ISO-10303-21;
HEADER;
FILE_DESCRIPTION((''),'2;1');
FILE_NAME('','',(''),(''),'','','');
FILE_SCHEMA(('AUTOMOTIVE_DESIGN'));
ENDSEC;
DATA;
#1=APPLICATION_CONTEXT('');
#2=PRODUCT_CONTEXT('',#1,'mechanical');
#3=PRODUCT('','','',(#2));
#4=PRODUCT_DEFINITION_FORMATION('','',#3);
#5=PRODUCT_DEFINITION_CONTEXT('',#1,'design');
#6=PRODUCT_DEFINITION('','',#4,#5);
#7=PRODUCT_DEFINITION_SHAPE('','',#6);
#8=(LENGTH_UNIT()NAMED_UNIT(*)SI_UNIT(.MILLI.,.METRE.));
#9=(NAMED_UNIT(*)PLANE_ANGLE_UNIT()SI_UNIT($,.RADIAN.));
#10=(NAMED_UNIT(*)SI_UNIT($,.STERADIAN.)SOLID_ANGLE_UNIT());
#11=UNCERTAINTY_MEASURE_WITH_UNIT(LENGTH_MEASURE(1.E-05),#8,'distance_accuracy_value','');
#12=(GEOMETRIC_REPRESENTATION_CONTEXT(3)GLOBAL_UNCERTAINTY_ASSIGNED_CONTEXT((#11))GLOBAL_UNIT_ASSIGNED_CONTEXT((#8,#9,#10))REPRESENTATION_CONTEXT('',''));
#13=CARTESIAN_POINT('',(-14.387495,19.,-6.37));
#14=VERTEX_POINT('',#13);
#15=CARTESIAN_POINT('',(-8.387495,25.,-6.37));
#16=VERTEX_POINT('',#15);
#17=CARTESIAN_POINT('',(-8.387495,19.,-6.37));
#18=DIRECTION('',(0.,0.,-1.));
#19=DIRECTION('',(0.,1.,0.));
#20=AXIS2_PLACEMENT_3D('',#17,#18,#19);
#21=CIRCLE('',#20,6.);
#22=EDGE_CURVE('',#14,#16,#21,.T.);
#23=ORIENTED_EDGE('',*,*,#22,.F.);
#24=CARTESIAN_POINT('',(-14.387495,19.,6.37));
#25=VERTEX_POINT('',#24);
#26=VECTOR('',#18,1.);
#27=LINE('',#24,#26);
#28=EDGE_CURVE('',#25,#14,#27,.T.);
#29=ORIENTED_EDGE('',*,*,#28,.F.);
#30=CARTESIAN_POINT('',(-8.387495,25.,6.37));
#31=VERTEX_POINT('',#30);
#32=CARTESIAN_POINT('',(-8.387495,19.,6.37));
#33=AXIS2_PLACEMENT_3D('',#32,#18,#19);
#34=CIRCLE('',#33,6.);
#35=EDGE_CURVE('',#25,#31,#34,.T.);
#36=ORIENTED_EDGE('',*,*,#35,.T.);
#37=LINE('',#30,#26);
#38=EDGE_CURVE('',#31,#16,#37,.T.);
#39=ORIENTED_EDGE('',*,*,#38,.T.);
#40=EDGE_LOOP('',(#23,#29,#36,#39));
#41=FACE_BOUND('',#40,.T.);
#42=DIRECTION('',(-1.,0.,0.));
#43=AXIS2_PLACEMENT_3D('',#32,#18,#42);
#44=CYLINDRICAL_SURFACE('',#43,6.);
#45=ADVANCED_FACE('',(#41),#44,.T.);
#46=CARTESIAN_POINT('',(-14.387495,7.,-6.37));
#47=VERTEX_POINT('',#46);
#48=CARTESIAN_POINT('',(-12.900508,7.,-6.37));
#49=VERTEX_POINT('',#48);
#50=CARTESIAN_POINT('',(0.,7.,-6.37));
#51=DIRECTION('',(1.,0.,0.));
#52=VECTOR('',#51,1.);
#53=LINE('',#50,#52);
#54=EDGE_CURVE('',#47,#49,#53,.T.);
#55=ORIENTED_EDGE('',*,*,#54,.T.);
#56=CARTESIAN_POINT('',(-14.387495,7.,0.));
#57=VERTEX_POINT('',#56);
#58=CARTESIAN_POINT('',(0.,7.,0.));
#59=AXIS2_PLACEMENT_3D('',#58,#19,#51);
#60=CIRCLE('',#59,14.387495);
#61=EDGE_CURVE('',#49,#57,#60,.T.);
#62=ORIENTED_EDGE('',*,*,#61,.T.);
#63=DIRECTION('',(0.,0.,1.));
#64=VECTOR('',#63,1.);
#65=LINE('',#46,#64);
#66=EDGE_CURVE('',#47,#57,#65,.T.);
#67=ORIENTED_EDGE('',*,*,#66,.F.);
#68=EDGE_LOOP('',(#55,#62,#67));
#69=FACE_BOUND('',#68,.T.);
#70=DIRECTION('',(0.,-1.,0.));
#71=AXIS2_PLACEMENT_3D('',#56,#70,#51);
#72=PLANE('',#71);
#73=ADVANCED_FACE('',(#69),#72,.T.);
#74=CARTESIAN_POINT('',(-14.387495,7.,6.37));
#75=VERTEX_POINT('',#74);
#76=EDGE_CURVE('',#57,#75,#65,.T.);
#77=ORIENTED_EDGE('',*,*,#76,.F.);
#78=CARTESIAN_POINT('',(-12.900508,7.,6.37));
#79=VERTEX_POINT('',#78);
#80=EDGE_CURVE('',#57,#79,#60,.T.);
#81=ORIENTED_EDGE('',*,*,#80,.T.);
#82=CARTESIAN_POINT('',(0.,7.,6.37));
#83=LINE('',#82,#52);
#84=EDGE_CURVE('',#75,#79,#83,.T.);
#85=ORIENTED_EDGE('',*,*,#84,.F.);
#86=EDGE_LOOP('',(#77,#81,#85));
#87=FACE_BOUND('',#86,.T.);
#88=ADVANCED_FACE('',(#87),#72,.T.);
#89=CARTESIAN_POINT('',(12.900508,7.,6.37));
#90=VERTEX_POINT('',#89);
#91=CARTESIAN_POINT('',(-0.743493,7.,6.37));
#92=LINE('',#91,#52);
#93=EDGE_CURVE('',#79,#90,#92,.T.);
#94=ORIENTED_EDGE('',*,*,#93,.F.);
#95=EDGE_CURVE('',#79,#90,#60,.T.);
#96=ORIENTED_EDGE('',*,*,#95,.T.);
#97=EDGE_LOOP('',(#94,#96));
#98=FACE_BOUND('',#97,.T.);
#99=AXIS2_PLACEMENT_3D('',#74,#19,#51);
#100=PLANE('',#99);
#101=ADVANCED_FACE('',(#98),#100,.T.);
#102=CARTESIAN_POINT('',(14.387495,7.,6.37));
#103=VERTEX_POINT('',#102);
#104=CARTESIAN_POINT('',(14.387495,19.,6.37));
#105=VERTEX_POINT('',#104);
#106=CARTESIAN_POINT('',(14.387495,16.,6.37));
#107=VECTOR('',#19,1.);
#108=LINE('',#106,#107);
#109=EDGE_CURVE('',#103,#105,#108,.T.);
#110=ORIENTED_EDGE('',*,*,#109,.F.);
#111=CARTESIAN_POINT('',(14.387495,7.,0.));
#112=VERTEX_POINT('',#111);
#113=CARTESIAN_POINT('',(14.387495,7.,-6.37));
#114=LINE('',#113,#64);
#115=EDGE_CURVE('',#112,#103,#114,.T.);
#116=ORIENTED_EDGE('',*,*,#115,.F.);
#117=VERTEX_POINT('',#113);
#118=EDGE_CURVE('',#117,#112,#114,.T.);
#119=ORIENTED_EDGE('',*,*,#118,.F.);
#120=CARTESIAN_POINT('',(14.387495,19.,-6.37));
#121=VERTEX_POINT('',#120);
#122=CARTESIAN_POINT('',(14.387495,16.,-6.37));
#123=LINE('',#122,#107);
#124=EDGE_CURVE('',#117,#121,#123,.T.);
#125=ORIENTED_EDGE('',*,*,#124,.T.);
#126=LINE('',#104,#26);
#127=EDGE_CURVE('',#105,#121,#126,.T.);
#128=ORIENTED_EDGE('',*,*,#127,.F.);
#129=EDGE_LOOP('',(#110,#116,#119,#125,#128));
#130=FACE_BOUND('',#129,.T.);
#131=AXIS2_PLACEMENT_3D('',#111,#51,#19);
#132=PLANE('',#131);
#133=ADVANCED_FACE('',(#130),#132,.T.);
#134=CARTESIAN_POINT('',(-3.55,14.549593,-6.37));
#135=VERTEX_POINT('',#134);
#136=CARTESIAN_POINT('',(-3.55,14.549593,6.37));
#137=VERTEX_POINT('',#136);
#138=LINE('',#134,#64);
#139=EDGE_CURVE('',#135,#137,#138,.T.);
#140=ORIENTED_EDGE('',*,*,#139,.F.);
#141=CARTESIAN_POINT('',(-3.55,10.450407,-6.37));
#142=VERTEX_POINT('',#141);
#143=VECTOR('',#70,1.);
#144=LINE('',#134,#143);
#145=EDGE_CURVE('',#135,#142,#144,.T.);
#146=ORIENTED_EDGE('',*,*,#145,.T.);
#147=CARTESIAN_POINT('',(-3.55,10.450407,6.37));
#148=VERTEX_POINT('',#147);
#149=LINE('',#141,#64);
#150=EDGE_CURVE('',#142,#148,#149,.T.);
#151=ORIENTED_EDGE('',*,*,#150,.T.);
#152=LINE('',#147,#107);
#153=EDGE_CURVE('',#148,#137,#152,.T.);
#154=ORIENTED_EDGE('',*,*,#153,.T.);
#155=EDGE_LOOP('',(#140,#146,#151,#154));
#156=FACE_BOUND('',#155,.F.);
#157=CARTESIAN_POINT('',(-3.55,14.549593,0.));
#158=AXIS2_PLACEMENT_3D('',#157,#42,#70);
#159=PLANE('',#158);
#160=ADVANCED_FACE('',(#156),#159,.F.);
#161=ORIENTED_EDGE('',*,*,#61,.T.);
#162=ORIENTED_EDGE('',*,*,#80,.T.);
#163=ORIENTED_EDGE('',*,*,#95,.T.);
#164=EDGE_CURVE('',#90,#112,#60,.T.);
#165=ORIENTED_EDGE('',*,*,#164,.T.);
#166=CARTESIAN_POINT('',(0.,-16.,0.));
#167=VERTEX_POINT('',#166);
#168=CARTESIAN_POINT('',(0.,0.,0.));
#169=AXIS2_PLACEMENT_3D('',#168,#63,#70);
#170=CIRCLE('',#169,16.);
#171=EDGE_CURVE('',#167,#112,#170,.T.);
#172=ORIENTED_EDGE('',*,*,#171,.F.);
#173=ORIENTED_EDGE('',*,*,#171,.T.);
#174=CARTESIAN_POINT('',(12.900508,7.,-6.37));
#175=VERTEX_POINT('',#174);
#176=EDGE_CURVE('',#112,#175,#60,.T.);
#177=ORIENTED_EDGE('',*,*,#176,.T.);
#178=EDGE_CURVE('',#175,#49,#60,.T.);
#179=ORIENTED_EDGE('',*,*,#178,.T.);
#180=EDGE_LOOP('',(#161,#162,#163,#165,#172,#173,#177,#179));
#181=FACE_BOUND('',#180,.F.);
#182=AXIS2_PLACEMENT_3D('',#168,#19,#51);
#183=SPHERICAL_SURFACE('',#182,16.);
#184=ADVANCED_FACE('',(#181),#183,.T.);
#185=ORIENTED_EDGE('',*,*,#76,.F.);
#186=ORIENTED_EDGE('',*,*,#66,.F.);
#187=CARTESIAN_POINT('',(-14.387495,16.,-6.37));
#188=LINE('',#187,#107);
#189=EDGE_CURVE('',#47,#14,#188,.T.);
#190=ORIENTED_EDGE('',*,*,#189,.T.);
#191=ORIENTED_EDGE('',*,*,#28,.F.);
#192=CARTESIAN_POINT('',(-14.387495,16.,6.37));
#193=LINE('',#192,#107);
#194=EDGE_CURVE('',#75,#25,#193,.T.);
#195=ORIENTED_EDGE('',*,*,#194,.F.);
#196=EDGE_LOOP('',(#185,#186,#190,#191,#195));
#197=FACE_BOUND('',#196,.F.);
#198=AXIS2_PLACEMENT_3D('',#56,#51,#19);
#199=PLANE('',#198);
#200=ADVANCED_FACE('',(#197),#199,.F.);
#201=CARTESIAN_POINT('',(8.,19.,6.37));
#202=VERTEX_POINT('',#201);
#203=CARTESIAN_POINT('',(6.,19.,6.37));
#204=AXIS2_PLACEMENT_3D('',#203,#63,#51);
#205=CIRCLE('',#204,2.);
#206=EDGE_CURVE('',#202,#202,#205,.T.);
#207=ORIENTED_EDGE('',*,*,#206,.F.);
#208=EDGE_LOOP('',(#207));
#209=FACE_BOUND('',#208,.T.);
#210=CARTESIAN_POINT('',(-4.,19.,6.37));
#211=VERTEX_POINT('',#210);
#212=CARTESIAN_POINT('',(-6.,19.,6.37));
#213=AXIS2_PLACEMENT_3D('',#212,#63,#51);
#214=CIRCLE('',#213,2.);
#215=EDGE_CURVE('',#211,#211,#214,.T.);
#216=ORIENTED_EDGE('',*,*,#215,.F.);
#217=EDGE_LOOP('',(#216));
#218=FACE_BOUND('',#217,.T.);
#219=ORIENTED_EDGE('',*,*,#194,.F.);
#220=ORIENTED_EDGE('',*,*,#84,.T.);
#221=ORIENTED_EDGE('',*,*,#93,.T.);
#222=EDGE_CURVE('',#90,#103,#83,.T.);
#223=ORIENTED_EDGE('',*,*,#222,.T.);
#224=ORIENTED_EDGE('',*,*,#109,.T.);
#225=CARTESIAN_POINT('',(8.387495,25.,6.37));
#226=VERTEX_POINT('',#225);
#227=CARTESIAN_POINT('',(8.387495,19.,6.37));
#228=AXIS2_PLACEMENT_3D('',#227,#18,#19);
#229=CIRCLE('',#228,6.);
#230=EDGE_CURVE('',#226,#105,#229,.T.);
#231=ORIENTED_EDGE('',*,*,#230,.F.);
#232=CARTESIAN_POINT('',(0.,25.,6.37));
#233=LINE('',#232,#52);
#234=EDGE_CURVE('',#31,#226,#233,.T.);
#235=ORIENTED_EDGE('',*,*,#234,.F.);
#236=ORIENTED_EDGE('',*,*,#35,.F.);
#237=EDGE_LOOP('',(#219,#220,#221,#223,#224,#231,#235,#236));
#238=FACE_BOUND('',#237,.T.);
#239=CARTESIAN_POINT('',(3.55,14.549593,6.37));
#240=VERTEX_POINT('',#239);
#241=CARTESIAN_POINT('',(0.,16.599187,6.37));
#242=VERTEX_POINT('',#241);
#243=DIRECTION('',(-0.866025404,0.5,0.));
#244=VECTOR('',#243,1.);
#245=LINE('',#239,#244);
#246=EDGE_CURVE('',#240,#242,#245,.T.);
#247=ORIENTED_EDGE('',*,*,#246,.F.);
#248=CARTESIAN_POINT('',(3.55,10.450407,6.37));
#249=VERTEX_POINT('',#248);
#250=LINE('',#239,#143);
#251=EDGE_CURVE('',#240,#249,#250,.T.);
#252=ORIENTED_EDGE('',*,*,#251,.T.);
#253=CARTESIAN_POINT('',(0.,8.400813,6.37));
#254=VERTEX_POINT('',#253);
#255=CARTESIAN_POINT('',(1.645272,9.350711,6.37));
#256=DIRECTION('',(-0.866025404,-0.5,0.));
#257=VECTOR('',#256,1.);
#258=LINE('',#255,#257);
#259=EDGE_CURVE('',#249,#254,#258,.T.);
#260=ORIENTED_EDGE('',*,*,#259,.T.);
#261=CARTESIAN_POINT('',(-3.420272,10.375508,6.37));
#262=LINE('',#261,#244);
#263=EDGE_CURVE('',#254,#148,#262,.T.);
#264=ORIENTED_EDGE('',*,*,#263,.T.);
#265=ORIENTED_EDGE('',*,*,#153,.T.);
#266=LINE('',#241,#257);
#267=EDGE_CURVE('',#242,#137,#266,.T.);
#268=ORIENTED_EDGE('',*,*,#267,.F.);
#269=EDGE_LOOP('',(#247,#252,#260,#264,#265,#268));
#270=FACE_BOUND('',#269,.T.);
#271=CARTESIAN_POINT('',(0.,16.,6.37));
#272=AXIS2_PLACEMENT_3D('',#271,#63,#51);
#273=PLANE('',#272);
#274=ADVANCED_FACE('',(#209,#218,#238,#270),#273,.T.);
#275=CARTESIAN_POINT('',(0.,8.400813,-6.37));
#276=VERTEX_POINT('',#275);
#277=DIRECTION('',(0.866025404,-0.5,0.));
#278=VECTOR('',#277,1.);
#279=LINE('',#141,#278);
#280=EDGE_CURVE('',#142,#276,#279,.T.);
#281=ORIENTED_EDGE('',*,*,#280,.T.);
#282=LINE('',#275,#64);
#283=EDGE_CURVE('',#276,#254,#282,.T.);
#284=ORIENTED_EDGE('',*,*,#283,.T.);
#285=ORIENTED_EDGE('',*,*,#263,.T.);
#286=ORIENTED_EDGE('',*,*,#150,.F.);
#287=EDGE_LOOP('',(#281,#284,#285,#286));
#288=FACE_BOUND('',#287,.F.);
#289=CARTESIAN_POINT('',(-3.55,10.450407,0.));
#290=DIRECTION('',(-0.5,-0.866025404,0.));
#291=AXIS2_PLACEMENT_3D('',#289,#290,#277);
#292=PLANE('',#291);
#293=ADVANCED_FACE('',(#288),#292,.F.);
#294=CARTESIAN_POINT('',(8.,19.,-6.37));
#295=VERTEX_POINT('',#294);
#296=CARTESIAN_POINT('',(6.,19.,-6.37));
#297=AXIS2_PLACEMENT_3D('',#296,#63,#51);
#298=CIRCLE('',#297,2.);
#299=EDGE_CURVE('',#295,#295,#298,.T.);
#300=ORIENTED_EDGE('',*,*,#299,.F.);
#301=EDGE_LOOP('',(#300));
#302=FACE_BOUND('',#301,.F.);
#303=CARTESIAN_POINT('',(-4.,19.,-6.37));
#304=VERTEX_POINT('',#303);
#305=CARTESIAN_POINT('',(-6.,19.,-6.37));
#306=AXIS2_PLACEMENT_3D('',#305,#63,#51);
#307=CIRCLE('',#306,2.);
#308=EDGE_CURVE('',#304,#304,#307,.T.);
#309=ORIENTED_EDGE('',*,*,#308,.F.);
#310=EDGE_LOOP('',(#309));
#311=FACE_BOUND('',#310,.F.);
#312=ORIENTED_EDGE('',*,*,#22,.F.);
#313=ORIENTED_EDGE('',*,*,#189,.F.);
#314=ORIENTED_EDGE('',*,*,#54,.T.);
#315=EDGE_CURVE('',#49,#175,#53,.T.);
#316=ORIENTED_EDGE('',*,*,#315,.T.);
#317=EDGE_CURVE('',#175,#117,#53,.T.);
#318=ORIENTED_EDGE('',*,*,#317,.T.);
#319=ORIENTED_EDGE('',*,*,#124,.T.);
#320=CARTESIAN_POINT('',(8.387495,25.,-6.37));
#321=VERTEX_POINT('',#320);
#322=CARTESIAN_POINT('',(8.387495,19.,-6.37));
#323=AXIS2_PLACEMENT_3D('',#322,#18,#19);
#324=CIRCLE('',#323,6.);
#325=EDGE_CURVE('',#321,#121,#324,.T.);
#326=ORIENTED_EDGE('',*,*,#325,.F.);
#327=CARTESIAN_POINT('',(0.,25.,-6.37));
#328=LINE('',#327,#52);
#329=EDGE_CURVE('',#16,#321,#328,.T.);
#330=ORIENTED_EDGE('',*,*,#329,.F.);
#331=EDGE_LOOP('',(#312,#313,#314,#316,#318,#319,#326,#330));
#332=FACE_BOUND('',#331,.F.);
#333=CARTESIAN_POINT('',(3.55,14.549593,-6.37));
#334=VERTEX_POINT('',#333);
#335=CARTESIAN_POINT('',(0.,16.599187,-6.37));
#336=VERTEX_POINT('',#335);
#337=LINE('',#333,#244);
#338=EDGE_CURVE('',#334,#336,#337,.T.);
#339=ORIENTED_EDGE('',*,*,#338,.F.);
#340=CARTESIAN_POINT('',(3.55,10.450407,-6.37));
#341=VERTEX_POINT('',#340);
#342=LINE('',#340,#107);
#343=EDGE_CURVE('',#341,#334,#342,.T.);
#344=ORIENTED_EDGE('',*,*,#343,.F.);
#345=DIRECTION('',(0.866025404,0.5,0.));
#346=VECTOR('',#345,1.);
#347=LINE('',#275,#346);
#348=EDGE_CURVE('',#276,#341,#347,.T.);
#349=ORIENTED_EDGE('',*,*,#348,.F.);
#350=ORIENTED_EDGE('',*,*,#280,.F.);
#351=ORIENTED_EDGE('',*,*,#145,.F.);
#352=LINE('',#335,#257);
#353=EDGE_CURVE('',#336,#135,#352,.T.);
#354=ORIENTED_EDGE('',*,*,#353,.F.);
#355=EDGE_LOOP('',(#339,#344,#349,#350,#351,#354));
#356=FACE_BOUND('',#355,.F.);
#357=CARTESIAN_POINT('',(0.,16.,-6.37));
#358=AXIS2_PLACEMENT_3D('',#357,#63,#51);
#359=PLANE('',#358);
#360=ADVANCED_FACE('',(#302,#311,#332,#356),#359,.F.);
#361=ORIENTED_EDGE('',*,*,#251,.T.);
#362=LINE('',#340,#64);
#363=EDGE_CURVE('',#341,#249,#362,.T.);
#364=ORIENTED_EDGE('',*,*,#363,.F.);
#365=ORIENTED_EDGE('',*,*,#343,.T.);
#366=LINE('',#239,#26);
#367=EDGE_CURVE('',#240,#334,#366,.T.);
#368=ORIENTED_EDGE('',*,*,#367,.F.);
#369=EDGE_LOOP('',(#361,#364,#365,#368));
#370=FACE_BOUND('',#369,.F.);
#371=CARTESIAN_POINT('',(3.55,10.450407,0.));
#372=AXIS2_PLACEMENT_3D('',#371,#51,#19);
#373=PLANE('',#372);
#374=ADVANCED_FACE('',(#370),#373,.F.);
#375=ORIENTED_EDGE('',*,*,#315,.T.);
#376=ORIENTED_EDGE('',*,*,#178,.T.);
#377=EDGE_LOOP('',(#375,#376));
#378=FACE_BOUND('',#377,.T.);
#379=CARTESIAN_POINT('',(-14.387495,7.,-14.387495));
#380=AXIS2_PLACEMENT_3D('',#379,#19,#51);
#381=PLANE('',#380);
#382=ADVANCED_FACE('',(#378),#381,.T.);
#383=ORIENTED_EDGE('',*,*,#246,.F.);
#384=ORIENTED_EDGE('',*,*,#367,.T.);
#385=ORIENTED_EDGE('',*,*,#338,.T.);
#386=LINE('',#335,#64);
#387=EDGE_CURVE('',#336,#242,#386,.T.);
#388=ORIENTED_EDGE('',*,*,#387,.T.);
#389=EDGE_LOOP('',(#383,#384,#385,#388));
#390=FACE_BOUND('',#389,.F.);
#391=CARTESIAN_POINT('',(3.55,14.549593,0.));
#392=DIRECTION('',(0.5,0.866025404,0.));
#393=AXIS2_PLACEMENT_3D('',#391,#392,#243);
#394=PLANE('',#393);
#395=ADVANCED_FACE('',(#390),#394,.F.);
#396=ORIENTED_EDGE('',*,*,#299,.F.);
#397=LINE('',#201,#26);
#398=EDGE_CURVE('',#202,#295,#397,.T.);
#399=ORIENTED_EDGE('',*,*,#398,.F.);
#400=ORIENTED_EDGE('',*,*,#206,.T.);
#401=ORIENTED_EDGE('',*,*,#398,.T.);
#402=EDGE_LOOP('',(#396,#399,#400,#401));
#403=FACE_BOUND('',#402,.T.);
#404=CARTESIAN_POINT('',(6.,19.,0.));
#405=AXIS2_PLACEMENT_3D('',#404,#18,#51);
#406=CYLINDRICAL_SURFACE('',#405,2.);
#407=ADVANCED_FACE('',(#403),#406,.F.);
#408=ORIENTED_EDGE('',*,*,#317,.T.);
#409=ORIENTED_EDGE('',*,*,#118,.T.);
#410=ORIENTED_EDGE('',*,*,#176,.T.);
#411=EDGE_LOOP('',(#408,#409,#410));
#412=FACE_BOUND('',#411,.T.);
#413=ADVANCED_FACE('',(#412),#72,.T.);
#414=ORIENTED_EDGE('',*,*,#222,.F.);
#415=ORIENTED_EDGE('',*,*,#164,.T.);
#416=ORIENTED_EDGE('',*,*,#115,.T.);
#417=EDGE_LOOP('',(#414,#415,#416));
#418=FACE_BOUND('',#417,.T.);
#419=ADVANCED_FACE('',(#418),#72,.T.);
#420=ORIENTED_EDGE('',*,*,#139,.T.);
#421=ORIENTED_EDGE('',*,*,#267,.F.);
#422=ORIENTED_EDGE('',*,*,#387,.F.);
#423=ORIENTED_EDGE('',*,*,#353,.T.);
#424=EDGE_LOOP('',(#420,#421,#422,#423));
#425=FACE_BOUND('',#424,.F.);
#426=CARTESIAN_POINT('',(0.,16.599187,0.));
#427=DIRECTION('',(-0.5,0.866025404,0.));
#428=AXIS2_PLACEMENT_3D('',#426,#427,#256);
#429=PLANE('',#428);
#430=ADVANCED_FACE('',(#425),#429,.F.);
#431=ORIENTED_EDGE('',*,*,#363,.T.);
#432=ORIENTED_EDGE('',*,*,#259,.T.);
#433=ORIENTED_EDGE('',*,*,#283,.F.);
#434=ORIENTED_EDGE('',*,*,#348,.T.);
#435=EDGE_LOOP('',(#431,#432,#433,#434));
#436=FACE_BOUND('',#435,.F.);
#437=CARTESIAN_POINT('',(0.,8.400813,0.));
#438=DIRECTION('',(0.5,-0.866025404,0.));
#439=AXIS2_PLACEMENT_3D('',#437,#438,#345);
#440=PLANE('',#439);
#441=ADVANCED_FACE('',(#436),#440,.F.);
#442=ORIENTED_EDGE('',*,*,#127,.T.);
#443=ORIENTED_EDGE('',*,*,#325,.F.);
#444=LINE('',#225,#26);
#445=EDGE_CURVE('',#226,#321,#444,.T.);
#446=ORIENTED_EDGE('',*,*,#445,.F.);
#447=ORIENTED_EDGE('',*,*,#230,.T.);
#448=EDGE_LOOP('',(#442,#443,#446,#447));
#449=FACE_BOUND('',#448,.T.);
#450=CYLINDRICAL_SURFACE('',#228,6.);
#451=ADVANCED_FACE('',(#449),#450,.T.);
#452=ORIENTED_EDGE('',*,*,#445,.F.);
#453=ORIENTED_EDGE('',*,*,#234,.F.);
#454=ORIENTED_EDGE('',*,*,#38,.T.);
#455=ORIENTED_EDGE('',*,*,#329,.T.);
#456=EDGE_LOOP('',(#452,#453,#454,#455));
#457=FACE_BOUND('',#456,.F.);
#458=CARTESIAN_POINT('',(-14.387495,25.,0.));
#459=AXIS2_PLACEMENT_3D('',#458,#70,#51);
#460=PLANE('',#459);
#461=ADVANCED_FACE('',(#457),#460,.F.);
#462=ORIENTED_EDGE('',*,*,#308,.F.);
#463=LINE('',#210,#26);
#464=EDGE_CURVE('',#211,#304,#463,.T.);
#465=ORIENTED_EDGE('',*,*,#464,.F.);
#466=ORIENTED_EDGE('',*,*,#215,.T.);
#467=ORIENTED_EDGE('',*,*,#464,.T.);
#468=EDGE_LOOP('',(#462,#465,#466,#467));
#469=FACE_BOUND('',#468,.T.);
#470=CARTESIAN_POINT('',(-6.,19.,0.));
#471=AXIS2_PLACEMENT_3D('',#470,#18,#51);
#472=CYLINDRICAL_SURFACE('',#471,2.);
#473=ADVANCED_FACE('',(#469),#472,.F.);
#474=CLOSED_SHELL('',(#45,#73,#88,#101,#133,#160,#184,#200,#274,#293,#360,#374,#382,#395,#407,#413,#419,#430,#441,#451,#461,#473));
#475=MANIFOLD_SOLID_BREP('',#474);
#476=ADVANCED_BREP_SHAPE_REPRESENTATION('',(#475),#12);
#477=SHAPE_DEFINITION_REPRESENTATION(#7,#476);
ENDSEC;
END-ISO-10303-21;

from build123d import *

# Parameters (mm, degrees)
SKETCH2_W               = 28.77498914
SKETCH2_H               = 18
SKETCH2_R               = 2
BOSS_EXTRUDE1_DEPTH     = 6.37
CUT_EXTRUDE1_REACH      = 11.63
SKETCH3_W               = 27.288002312
SKETCH3_H               = 18
CUT_EXTRUDE2_START      = -14.387495
SKETCH2_2_W             = 28.77498914
SKETCH2_2_H             = 18
SKETCH2_2_R             = 2
CUT_EXTRUDE2_DEPTH      = 8.017495
FILLET1_R               = 6
CUT_EXTRUDE3_DEPTH      = 17
CUT_EXTRUDE3_DEPTH_BACK = 17


with BuildPart() as part:
    # Sketch1 → Revolve1 (revolve)
    with BuildSketch(Plane.XY):
        with BuildLine():
            Line((0, 16), (0, -16))
            ThreePointArc((0, -16), (16, 0), (0, 16))
        make_face()
    revolve(axis=Axis((0, 16, 0), (0, -1, 0)))

    # Sketch2 → Boss-Extrude1 (add, symmetric)
    with BuildSketch(Plane.XY):
        with Locations((0, 16)):
            Rectangle(SKETCH2_W, SKETCH2_H)
        with Locations((-6, 19)):
            Circle(SKETCH2_R, mode=Mode.SUBTRACT)
        with Locations((6, 19)):
            Circle(SKETCH2_R, mode=Mode.SUBTRACT)
        Polygon((0, 16.599186911), (-3.55, 14.549593456), (-3.55, 10.450406544), (0, 8.400813089), (3.55, 10.450406544), (3.55, 14.549593456), align=None, mode=Mode.SUBTRACT)
    extrude(amount=BOSS_EXTRUDE1_DEPTH, both=True)

    # Sketch3 → Cut-Extrude1 (cut, up to next)
    with BuildSketch(Plane.XY.offset(6.37), mode=Mode.PRIVATE) as cut_extrude1_sk1:
        with Locations((-0.743493414, 16)):
            Rectangle(SKETCH3_W, SKETCH3_H)
    cut_extrude1_tool1 = extrude(cut_extrude1_sk1.sketch, amount=CUT_EXTRUDE1_REACH, mode=Mode.PRIVATE) & part.part
    add(cut_extrude1_tool1.solids().sort_by_distance((-0.743493, 16, 6.37))[0], mode=Mode.SUBTRACT)

    # Sketch2<2> → Cut-Extrude2 (cut)
    with BuildSketch(Plane.XY.offset(CUT_EXTRUDE2_START)):
        Polygon((3.55, 10.450406544), (3.55, 14.549593456), (0, 16.599186911), (-3.55, 14.549593456), (-3.55, 10.450406544), (0, 8.400813089), align=None)
        with Locations((0, 16)):
            Rectangle(SKETCH2_2_W, SKETCH2_2_H)
        with Locations((6, 19)):
            Circle(SKETCH2_2_R, mode=Mode.SUBTRACT)
        with Locations((-6, 19)):
            Circle(SKETCH2_2_R, mode=Mode.SUBTRACT)
        Polygon((3.55, 14.549593456), (0, 16.599186911), (-3.55, 14.549593456), (-3.55, 10.450406544), (0, 8.400813089), (3.55, 10.450406544), align=None, mode=Mode.SUBTRACT)
    extrude(amount=CUT_EXTRUDE2_DEPTH, mode=Mode.SUBTRACT)

    # Fillet1
    fillet1_edges = [part.edges().sort_by_distance(p)[0] for p in [
        (-14.38749457, 25, 0),
        (14.38749457, 25, 0),
    ]]
    fillet(fillet1_edges, radius=FILLET1_R)

    # Sketch2<3> → Cut-Extrude3 (cut, two sides)
    with BuildSketch(Plane.XY) as cut_extrude3_sk:
        Polygon((0, 16.599186911), (-3.55, 14.549593456), (-3.55, 10.450406544), (0, 8.400813089), (3.55, 10.450406544), (3.55, 14.549593456), align=None)
    extrude(amount=CUT_EXTRUDE3_DEPTH, mode=Mode.SUBTRACT)
    extrude(cut_extrude3_sk.sketch, amount=-CUT_EXTRUDE3_DEPTH_BACK, mode=Mode.SUBTRACT)


solid = part.part
